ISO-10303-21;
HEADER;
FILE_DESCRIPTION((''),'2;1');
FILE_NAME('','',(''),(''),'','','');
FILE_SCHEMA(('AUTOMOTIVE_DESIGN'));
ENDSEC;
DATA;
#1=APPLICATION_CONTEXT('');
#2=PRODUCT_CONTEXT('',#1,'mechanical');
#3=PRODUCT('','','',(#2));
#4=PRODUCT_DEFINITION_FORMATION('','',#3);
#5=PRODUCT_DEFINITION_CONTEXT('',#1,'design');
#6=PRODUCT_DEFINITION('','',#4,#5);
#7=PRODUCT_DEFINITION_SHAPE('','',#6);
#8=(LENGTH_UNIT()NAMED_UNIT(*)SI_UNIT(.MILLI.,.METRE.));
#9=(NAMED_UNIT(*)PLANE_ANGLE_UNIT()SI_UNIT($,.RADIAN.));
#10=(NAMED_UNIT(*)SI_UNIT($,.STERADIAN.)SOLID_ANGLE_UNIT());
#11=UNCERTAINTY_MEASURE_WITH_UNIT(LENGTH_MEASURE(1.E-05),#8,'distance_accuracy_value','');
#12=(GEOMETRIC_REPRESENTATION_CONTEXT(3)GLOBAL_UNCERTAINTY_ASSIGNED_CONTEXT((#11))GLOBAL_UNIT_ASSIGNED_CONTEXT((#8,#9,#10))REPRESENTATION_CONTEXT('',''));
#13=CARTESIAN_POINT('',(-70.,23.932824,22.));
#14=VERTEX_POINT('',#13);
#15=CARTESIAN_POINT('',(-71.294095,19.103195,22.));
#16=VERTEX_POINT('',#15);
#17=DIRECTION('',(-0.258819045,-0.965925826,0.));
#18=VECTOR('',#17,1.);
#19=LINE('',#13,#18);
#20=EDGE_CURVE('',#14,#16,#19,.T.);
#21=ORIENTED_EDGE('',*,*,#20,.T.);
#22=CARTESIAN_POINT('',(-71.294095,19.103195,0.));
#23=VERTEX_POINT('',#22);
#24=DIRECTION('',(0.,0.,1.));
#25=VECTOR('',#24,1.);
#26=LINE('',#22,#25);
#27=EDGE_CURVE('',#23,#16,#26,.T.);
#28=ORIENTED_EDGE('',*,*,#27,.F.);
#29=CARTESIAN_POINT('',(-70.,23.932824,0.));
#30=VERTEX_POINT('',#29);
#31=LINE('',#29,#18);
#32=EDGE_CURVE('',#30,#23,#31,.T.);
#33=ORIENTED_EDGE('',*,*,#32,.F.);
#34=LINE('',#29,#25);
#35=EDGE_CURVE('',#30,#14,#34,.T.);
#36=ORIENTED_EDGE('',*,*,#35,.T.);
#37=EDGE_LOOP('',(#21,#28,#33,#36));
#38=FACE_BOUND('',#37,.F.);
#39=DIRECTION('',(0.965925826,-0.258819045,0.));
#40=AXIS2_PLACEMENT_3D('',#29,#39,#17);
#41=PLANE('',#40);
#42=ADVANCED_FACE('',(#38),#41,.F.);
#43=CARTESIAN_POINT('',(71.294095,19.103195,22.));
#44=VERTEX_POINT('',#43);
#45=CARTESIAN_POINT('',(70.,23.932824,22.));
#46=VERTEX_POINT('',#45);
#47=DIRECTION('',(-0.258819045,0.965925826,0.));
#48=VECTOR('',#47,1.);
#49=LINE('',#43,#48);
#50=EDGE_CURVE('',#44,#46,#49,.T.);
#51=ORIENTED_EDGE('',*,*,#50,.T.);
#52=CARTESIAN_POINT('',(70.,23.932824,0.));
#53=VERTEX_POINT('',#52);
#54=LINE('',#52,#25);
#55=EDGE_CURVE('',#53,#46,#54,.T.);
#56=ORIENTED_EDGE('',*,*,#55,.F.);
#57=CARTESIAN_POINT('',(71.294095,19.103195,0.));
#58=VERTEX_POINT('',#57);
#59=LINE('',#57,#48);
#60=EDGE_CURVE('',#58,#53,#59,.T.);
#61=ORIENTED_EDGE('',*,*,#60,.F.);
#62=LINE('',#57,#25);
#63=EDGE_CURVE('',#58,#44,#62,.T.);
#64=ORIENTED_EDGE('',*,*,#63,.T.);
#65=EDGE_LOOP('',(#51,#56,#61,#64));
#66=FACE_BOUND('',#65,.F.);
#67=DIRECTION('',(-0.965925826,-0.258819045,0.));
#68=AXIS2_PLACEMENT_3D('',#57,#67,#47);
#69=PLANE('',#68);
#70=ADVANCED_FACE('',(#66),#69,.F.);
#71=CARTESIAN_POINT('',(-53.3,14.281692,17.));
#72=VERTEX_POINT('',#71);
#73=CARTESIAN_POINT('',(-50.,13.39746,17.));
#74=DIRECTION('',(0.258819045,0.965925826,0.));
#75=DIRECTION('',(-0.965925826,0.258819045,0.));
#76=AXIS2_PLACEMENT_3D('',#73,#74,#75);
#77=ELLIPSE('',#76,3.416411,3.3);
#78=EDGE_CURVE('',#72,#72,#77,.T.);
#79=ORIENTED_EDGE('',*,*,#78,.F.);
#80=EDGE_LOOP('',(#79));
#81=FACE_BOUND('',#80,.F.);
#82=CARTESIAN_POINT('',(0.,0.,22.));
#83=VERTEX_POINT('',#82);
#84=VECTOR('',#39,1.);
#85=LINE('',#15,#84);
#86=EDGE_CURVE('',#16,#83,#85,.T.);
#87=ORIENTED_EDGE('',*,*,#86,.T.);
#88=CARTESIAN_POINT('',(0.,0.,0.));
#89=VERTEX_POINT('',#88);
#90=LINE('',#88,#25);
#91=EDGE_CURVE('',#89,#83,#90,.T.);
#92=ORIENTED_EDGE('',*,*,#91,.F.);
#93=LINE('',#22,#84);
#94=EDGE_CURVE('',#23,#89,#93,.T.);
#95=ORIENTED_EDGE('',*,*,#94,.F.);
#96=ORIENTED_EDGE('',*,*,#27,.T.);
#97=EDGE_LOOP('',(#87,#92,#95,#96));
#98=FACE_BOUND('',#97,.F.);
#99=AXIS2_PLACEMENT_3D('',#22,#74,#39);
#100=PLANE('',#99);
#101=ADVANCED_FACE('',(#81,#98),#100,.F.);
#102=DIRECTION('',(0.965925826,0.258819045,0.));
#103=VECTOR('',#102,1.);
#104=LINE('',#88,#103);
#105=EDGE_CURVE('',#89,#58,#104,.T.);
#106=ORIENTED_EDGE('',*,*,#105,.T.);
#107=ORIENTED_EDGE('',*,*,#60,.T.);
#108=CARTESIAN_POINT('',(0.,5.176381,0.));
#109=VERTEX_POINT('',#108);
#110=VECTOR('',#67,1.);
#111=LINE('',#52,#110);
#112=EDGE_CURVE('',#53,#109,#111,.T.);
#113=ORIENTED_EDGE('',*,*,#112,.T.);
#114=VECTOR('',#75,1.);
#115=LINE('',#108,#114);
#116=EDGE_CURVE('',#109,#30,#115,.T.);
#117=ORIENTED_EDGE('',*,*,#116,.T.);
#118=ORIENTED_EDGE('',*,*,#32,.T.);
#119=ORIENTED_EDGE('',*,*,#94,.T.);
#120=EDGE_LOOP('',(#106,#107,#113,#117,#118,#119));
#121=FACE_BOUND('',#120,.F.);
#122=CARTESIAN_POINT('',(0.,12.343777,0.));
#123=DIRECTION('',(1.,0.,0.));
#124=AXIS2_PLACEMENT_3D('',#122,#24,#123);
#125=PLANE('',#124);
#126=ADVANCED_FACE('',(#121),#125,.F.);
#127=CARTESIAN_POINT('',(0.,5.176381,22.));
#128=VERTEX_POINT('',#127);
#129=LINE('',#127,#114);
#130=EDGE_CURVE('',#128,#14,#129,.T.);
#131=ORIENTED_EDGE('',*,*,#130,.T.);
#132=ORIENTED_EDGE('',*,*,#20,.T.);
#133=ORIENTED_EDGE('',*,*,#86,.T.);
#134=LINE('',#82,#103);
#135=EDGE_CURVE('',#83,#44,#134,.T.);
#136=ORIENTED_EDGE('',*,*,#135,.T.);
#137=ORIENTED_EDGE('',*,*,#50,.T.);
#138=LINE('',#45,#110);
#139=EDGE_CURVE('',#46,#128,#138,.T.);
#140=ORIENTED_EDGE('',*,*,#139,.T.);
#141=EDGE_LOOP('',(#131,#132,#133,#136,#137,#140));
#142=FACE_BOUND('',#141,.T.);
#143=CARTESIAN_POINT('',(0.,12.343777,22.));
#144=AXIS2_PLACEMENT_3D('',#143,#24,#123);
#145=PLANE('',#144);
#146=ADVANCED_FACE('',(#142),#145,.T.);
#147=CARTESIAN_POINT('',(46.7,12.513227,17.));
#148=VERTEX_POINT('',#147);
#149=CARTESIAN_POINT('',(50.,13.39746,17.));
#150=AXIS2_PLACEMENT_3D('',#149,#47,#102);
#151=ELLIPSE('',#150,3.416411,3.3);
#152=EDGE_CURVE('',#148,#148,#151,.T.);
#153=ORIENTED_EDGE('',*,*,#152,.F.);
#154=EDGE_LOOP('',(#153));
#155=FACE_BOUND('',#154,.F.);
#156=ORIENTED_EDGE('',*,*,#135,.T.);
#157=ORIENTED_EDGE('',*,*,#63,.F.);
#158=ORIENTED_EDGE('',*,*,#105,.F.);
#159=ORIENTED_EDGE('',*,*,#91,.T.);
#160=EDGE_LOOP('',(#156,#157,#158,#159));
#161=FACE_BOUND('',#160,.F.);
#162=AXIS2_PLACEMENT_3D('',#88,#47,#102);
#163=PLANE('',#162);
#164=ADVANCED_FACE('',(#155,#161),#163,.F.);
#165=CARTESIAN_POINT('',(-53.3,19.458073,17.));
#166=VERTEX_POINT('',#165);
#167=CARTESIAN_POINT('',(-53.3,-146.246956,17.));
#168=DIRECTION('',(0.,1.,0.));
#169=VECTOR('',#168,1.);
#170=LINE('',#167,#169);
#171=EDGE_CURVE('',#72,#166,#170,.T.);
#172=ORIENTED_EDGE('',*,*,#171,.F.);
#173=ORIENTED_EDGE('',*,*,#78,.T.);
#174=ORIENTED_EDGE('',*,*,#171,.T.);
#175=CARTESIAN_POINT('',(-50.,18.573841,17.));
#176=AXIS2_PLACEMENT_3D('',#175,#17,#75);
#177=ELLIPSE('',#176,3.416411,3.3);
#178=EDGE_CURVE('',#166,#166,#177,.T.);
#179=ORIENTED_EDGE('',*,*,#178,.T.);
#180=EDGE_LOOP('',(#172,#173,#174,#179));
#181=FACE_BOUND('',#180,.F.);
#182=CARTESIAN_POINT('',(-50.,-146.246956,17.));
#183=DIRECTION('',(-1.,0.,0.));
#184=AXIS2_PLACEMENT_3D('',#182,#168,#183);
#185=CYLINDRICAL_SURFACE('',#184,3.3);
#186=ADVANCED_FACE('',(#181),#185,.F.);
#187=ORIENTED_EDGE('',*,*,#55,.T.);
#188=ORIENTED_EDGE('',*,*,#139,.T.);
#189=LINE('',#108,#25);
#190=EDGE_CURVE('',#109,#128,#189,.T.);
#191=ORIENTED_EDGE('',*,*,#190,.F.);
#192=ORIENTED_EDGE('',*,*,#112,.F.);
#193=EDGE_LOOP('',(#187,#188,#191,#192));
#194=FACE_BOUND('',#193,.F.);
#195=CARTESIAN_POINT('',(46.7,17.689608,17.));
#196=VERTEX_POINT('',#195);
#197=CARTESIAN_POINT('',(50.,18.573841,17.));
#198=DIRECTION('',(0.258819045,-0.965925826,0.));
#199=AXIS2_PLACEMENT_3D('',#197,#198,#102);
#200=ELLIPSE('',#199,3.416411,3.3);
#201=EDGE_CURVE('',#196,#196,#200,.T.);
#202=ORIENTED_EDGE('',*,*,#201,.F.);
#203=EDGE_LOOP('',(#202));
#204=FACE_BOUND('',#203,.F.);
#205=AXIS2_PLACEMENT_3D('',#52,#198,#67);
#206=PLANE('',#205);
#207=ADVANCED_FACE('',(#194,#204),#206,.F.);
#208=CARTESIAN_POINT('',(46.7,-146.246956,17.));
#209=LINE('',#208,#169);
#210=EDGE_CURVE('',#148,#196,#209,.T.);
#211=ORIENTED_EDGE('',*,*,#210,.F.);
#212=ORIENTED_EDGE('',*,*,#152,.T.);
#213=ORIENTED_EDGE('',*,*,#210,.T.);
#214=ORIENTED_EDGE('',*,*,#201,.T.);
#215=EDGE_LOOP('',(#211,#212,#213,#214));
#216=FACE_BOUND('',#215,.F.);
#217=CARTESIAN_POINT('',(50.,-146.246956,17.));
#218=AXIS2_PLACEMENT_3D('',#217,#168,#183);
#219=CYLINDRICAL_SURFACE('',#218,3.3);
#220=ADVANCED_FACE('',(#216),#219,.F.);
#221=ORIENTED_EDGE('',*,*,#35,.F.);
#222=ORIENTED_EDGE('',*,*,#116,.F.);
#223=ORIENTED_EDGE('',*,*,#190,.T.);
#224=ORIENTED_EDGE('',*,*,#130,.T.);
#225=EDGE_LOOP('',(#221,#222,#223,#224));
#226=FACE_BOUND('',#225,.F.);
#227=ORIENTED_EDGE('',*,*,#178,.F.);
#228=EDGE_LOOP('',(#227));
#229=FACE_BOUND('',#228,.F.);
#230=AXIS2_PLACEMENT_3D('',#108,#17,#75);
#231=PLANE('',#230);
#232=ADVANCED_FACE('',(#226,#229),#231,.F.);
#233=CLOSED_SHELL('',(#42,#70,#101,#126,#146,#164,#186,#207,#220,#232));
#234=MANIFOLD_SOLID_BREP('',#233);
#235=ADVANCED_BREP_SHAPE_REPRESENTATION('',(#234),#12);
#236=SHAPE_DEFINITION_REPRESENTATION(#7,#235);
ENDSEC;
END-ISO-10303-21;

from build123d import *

# Parameters (mm, degrees)
F1_DEPTH = 22
F3_D     = 6.6


with BuildPart() as f1:
    # F0 (on Top) → F1 (new body)
    with BuildSketch(Plane.XY):
        Polygon((-70, 23.9328243722), (-71.2940952255, 19.1031952408), (0, 0), (71.2940952255, 19.1031952408), (70, 23.9328243722), (0, 5.1763809021), align=None)
    extrude(amount=F1_DEPTH)

    # F3 (through all)
    with Locations(Plane.XZ):
        with Locations((-50, 17), (50, 17)):
            Hole(F3_D / 2)


solid = f1.part
